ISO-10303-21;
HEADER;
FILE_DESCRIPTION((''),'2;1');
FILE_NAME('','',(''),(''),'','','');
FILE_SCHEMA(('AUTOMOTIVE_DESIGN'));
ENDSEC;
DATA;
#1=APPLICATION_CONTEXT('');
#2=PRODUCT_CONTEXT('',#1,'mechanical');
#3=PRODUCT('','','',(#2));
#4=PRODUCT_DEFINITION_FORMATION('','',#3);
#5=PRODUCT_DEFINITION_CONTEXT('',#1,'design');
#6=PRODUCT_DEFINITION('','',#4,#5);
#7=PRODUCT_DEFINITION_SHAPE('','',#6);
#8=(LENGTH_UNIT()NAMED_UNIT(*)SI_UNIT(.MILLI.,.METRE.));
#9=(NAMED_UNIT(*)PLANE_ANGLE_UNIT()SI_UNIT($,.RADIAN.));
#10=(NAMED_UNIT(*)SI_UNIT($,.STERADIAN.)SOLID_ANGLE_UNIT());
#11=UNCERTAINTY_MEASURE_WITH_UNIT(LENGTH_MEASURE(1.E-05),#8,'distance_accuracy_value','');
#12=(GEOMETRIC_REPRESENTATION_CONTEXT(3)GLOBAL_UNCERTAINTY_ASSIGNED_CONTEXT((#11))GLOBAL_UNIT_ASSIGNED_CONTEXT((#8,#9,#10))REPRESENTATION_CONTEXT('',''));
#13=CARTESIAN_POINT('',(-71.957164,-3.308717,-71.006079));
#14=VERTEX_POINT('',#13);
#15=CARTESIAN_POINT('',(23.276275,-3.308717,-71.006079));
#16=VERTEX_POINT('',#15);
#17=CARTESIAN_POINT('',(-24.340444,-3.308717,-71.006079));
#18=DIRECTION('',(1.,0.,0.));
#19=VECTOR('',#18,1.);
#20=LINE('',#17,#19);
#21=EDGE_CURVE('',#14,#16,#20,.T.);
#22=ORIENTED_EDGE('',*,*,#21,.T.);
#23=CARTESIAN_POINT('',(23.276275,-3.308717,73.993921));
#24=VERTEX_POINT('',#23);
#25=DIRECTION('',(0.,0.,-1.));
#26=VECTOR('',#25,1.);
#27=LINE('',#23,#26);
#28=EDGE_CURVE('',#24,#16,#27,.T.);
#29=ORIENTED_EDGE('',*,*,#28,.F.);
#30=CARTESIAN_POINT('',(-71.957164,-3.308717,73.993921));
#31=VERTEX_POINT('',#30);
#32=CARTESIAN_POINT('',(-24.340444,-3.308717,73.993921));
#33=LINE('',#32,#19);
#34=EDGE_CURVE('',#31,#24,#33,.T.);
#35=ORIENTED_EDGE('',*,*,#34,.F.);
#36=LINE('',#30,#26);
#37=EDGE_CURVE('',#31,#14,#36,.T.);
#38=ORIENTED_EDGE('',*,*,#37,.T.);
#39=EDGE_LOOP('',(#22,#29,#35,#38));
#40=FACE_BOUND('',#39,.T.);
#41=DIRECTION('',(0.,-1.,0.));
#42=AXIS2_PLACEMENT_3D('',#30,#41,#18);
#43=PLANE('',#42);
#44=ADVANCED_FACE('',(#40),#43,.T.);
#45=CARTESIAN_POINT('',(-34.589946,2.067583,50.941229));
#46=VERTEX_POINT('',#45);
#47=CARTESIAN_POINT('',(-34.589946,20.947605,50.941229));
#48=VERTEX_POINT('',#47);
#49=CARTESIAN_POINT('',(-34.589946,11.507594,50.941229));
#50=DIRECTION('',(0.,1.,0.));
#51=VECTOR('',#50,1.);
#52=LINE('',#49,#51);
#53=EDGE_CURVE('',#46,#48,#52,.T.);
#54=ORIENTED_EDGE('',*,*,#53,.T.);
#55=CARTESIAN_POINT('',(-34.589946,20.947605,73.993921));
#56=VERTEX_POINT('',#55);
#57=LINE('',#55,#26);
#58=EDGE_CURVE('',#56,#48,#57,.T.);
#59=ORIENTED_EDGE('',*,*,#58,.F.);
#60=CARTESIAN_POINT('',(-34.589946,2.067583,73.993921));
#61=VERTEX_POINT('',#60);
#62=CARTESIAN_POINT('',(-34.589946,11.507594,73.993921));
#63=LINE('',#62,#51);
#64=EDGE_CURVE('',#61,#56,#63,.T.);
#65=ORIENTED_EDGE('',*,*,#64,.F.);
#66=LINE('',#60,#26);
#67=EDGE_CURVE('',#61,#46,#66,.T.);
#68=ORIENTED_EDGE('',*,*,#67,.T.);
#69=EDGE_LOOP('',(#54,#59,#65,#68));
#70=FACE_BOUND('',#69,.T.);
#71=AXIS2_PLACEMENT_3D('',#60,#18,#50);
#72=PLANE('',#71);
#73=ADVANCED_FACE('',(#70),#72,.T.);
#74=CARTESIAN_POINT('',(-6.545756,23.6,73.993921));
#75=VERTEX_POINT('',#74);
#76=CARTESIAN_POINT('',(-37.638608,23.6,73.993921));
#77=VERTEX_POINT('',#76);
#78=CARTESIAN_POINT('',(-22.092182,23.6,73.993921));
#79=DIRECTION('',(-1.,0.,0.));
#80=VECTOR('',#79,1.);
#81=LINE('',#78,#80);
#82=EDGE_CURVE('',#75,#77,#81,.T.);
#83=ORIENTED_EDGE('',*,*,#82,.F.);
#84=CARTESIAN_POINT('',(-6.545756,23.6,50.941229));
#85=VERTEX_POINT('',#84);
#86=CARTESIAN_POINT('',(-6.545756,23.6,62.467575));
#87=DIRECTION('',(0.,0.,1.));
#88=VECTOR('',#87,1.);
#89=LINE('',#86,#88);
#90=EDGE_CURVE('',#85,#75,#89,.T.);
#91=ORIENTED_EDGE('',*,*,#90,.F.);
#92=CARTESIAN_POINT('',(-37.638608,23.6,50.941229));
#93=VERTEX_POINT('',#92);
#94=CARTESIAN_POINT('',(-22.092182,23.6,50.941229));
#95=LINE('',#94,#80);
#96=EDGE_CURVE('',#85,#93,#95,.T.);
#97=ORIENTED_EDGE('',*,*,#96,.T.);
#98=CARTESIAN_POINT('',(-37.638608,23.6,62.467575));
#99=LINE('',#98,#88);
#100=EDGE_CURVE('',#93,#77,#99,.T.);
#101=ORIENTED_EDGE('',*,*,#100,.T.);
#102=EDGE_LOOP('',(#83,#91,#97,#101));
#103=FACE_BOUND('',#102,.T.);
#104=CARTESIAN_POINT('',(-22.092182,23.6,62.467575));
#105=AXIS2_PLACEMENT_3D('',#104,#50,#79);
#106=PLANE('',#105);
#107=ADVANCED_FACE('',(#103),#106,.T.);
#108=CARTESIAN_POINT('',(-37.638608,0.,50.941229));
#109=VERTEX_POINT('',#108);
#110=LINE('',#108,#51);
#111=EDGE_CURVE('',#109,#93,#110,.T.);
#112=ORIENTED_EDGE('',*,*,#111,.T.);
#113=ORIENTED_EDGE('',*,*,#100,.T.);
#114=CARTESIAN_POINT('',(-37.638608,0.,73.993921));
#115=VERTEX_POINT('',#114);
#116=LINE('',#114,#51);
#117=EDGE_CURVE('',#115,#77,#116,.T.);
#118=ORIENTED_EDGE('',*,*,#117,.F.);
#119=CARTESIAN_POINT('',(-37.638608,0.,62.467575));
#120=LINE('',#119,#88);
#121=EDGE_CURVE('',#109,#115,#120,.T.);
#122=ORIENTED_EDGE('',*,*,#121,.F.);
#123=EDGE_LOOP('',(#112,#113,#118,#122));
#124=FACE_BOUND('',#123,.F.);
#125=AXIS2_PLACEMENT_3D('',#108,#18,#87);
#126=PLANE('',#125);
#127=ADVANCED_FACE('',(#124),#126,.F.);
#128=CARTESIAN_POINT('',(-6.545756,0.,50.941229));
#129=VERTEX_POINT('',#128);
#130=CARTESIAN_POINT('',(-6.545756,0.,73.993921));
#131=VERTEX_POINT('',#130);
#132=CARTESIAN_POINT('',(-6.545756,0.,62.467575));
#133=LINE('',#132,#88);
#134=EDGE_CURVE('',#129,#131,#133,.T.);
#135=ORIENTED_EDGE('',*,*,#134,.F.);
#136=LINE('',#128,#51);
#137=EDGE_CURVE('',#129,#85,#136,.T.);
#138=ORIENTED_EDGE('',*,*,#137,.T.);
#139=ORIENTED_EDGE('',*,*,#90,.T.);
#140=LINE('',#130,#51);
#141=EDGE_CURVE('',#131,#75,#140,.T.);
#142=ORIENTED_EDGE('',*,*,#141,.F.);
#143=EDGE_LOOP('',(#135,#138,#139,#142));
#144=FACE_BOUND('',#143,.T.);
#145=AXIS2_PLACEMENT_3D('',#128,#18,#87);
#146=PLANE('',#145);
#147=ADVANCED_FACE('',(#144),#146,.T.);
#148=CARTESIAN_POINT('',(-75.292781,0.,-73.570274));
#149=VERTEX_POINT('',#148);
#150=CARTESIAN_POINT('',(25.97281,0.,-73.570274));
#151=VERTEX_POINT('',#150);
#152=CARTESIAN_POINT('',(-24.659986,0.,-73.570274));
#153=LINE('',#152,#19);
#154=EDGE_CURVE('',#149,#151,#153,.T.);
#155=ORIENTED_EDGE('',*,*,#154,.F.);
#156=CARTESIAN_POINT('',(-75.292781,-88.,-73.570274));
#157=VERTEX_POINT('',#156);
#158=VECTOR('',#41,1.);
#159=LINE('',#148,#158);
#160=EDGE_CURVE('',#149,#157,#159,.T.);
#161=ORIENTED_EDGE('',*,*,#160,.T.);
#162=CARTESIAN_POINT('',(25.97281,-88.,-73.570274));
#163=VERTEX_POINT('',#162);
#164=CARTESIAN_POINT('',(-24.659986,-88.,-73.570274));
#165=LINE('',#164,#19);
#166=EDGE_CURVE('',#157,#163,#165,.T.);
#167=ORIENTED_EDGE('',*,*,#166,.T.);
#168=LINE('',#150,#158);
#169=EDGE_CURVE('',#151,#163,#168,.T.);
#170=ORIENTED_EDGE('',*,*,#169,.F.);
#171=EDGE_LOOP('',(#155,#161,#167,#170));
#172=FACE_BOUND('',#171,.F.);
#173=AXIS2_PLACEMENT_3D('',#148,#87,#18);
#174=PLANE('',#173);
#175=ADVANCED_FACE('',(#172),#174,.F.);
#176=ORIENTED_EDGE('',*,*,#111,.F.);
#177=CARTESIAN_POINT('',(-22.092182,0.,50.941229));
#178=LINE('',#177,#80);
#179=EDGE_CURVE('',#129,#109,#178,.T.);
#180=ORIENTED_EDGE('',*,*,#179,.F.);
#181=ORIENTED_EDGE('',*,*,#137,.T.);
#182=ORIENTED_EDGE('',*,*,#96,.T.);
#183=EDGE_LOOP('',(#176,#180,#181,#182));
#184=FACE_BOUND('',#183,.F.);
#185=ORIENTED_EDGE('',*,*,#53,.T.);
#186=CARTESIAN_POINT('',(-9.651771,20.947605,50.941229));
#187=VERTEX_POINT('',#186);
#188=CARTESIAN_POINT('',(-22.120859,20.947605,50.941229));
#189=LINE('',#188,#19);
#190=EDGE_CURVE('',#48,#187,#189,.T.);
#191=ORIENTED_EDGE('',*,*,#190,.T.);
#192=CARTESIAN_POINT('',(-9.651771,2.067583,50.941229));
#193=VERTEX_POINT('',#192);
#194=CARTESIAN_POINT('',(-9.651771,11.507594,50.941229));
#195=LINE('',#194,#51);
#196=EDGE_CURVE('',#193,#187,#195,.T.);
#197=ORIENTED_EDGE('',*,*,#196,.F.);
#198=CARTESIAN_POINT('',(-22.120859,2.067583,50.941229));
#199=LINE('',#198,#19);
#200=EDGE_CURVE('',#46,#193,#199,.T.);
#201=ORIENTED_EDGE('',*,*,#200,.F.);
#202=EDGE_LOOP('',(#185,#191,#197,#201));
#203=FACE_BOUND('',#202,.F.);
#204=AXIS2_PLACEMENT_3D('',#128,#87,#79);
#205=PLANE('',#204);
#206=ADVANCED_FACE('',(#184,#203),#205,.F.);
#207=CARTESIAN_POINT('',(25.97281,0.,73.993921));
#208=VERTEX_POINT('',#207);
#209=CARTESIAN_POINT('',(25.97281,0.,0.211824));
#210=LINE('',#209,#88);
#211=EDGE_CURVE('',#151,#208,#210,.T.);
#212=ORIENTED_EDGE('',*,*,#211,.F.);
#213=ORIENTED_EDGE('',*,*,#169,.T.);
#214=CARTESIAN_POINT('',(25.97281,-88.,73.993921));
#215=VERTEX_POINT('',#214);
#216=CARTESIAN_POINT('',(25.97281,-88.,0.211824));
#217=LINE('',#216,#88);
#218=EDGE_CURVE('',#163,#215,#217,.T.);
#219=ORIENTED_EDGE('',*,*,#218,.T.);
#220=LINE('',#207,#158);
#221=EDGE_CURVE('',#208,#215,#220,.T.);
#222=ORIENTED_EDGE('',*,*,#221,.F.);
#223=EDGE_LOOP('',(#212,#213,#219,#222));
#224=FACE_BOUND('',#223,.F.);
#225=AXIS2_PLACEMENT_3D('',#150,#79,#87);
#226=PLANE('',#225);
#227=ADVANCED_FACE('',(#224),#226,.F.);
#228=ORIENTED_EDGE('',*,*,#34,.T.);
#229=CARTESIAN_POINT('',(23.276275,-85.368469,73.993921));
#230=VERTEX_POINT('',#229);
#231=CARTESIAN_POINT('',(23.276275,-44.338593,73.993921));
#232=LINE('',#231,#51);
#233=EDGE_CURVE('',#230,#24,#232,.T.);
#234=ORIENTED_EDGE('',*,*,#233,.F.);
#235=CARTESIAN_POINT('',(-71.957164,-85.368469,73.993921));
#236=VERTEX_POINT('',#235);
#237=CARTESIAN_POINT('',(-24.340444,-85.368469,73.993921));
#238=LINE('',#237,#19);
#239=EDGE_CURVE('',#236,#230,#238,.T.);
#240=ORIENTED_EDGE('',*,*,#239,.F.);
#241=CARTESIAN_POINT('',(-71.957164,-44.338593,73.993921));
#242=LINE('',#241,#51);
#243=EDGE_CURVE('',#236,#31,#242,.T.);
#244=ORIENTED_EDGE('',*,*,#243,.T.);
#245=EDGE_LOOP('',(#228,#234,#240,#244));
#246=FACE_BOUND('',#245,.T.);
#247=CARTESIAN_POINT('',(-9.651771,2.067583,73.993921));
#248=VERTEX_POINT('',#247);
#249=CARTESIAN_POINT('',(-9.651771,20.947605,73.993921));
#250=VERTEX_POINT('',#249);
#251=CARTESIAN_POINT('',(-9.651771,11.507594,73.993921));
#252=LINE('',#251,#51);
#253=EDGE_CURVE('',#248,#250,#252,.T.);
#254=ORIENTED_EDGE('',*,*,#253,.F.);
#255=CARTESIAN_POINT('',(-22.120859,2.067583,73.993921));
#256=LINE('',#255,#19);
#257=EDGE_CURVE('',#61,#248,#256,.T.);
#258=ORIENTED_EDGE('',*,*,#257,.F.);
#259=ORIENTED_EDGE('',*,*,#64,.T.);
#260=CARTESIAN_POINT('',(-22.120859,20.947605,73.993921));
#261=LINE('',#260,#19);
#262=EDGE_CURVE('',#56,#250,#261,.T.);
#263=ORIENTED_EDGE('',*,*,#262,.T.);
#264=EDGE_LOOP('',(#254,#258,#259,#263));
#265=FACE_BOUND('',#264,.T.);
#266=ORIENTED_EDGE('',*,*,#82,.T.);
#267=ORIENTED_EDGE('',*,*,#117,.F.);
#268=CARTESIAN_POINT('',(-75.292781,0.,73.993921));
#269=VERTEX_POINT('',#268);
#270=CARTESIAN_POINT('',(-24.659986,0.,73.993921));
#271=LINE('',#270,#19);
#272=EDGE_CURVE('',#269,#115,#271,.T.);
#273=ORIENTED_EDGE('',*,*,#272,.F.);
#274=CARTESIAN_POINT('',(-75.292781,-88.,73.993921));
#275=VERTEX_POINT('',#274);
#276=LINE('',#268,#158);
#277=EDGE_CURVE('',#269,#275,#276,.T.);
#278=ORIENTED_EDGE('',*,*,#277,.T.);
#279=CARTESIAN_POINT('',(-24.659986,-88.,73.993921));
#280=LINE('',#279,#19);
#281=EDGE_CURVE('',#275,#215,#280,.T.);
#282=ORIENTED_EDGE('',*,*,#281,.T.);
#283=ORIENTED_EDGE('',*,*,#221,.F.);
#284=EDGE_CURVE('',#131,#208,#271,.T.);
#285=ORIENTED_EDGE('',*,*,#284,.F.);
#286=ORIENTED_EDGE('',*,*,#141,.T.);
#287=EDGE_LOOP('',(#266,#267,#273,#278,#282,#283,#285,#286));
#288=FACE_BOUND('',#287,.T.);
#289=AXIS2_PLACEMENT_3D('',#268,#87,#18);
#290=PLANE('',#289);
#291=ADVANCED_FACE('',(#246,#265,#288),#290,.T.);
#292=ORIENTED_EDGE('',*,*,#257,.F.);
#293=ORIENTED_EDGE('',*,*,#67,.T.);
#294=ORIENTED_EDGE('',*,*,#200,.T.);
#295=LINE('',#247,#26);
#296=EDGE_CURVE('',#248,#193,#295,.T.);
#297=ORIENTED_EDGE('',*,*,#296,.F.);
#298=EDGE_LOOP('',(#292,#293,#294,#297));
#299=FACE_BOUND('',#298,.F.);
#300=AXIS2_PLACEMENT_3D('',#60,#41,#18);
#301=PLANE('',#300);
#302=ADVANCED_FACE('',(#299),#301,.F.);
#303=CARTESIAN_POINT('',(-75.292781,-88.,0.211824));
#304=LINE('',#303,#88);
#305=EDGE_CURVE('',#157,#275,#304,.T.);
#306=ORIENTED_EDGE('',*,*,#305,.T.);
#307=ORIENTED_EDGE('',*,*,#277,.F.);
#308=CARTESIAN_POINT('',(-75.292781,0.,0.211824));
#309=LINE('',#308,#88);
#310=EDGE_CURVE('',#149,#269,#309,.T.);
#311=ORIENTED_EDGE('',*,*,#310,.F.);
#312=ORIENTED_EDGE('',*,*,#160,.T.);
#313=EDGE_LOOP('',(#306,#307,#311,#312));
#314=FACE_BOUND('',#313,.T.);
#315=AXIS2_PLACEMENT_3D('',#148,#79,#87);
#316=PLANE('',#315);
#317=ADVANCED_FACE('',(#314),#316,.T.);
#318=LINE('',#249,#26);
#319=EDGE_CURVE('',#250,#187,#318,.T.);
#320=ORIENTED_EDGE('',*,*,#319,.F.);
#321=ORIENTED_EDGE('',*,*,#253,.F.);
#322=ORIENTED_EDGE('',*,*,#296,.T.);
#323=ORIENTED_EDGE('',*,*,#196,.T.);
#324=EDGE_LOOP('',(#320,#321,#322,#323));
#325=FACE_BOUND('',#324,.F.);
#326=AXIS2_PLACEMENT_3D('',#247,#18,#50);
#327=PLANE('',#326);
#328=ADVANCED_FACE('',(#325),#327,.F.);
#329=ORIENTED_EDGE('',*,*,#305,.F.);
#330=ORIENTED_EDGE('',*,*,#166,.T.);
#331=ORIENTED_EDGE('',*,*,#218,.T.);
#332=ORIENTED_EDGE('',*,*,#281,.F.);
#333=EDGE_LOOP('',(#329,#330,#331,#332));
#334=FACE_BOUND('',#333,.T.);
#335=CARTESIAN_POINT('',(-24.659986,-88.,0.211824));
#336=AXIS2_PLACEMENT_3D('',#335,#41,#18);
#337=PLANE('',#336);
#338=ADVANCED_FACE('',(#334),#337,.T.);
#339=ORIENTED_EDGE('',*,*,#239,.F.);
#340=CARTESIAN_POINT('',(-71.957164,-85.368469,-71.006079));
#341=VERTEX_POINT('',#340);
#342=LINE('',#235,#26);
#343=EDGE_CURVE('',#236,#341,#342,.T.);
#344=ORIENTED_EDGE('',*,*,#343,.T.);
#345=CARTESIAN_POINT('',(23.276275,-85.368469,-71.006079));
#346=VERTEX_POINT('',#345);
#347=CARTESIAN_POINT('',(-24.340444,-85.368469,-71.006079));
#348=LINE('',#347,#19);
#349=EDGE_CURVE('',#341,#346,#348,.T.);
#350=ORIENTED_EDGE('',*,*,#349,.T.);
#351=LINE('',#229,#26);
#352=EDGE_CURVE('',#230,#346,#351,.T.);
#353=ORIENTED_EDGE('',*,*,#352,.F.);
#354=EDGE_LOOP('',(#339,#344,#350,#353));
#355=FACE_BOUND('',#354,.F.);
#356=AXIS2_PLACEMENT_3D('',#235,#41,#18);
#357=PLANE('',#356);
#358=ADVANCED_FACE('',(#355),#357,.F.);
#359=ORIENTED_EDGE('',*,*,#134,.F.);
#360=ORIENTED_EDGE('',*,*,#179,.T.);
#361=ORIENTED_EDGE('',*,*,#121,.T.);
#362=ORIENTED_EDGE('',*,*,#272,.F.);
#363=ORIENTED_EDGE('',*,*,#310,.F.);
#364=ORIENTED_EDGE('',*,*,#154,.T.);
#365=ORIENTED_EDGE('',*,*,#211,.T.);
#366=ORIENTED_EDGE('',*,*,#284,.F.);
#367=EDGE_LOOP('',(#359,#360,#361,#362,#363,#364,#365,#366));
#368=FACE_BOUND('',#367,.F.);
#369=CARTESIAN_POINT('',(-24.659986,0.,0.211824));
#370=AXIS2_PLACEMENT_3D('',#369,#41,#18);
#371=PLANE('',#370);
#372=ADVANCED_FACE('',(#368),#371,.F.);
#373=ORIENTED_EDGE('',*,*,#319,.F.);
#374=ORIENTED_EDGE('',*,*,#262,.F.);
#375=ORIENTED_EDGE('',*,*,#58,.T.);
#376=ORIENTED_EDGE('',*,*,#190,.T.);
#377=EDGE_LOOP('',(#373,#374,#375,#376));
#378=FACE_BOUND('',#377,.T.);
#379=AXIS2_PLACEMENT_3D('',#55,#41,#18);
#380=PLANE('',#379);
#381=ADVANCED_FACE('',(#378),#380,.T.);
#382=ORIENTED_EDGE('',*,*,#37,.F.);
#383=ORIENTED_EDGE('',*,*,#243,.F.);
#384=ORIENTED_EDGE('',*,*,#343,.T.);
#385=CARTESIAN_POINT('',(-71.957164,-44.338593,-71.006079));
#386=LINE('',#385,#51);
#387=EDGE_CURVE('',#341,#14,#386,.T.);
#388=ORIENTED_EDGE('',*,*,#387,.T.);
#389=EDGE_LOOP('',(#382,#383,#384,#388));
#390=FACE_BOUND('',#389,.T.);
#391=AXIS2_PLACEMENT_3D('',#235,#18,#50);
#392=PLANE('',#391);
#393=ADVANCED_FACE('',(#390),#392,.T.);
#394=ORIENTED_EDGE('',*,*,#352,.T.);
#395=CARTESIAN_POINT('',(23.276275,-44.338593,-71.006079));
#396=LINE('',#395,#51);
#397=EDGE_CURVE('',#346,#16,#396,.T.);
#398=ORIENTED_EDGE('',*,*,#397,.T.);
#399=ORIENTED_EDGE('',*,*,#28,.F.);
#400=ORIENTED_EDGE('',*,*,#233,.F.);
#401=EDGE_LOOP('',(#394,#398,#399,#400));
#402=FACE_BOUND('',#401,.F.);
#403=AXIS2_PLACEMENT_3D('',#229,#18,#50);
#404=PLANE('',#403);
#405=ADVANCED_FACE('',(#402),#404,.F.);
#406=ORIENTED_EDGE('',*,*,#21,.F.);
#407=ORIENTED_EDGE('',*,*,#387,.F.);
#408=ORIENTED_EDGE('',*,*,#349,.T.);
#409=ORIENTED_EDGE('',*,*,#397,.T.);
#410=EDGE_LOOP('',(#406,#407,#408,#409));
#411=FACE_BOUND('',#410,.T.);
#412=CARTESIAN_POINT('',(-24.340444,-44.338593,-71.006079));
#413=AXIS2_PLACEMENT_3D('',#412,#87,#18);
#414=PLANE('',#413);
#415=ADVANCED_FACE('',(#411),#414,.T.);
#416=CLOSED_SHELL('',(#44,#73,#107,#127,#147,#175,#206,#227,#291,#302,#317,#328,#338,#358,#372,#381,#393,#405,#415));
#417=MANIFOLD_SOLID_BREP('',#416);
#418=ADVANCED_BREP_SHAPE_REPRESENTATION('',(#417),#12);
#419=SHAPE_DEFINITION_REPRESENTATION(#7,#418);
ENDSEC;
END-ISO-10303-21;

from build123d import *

# Parameters (mm, degrees)
F0_W     = 101.2655906379
F0_H     = 147.5641950965
F1_DEPTH = 88
F2_W     = 95.2334385365
F2_H     = 82.0597519632
F3_DEPTH = 145
F4_W     = 31.0928518884
F4_H     = 23.0526924133
F5_DEPTH = 23.6
F6_W     = 24.9381754547
F6_H     = 18.8800219912
F7_DEPTH = 23.0526924133


with BuildPart() as f1:
    # F0 (on Front) → F1 (new body)
    with BuildSketch(Plane.XZ):
        with Locations((-24.6599856764, 0.2118237317)):
            Rectangle(F0_W, F0_H)
    extrude(amount=F1_DEPTH)

    # F2 (on face) → F3 (cut)
    with BuildSketch(Plane.XY.offset(73.9939212799)):
        with Locations((-24.3404442444, -44.3385933759)):
            Rectangle(F2_W, F2_H)
    extrude(amount=-F3_DEPTH, mode=Mode.SUBTRACT)

    # F4 (on face) → F5 (join)
    with BuildSketch(Plane(origin=(0, 0, 0), x_dir=(-1, 0, 0), z_dir=(0, 1, 0))):
        with Locations((22.0921824221, 62.4675750732)):
            Rectangle(F4_W, F4_H)
    extrude(amount=F5_DEPTH)

    # F6 (on face) → F7 (cut, through all)
    with BuildSketch(Plane.XY.offset(73.9939212799)):
        with Locations((-22.1208585426, 11.5075943759)):
            Rectangle(F6_W, F6_H)
    extrude(amount=-F7_DEPTH, mode=Mode.SUBTRACT)


solid = f1.part
